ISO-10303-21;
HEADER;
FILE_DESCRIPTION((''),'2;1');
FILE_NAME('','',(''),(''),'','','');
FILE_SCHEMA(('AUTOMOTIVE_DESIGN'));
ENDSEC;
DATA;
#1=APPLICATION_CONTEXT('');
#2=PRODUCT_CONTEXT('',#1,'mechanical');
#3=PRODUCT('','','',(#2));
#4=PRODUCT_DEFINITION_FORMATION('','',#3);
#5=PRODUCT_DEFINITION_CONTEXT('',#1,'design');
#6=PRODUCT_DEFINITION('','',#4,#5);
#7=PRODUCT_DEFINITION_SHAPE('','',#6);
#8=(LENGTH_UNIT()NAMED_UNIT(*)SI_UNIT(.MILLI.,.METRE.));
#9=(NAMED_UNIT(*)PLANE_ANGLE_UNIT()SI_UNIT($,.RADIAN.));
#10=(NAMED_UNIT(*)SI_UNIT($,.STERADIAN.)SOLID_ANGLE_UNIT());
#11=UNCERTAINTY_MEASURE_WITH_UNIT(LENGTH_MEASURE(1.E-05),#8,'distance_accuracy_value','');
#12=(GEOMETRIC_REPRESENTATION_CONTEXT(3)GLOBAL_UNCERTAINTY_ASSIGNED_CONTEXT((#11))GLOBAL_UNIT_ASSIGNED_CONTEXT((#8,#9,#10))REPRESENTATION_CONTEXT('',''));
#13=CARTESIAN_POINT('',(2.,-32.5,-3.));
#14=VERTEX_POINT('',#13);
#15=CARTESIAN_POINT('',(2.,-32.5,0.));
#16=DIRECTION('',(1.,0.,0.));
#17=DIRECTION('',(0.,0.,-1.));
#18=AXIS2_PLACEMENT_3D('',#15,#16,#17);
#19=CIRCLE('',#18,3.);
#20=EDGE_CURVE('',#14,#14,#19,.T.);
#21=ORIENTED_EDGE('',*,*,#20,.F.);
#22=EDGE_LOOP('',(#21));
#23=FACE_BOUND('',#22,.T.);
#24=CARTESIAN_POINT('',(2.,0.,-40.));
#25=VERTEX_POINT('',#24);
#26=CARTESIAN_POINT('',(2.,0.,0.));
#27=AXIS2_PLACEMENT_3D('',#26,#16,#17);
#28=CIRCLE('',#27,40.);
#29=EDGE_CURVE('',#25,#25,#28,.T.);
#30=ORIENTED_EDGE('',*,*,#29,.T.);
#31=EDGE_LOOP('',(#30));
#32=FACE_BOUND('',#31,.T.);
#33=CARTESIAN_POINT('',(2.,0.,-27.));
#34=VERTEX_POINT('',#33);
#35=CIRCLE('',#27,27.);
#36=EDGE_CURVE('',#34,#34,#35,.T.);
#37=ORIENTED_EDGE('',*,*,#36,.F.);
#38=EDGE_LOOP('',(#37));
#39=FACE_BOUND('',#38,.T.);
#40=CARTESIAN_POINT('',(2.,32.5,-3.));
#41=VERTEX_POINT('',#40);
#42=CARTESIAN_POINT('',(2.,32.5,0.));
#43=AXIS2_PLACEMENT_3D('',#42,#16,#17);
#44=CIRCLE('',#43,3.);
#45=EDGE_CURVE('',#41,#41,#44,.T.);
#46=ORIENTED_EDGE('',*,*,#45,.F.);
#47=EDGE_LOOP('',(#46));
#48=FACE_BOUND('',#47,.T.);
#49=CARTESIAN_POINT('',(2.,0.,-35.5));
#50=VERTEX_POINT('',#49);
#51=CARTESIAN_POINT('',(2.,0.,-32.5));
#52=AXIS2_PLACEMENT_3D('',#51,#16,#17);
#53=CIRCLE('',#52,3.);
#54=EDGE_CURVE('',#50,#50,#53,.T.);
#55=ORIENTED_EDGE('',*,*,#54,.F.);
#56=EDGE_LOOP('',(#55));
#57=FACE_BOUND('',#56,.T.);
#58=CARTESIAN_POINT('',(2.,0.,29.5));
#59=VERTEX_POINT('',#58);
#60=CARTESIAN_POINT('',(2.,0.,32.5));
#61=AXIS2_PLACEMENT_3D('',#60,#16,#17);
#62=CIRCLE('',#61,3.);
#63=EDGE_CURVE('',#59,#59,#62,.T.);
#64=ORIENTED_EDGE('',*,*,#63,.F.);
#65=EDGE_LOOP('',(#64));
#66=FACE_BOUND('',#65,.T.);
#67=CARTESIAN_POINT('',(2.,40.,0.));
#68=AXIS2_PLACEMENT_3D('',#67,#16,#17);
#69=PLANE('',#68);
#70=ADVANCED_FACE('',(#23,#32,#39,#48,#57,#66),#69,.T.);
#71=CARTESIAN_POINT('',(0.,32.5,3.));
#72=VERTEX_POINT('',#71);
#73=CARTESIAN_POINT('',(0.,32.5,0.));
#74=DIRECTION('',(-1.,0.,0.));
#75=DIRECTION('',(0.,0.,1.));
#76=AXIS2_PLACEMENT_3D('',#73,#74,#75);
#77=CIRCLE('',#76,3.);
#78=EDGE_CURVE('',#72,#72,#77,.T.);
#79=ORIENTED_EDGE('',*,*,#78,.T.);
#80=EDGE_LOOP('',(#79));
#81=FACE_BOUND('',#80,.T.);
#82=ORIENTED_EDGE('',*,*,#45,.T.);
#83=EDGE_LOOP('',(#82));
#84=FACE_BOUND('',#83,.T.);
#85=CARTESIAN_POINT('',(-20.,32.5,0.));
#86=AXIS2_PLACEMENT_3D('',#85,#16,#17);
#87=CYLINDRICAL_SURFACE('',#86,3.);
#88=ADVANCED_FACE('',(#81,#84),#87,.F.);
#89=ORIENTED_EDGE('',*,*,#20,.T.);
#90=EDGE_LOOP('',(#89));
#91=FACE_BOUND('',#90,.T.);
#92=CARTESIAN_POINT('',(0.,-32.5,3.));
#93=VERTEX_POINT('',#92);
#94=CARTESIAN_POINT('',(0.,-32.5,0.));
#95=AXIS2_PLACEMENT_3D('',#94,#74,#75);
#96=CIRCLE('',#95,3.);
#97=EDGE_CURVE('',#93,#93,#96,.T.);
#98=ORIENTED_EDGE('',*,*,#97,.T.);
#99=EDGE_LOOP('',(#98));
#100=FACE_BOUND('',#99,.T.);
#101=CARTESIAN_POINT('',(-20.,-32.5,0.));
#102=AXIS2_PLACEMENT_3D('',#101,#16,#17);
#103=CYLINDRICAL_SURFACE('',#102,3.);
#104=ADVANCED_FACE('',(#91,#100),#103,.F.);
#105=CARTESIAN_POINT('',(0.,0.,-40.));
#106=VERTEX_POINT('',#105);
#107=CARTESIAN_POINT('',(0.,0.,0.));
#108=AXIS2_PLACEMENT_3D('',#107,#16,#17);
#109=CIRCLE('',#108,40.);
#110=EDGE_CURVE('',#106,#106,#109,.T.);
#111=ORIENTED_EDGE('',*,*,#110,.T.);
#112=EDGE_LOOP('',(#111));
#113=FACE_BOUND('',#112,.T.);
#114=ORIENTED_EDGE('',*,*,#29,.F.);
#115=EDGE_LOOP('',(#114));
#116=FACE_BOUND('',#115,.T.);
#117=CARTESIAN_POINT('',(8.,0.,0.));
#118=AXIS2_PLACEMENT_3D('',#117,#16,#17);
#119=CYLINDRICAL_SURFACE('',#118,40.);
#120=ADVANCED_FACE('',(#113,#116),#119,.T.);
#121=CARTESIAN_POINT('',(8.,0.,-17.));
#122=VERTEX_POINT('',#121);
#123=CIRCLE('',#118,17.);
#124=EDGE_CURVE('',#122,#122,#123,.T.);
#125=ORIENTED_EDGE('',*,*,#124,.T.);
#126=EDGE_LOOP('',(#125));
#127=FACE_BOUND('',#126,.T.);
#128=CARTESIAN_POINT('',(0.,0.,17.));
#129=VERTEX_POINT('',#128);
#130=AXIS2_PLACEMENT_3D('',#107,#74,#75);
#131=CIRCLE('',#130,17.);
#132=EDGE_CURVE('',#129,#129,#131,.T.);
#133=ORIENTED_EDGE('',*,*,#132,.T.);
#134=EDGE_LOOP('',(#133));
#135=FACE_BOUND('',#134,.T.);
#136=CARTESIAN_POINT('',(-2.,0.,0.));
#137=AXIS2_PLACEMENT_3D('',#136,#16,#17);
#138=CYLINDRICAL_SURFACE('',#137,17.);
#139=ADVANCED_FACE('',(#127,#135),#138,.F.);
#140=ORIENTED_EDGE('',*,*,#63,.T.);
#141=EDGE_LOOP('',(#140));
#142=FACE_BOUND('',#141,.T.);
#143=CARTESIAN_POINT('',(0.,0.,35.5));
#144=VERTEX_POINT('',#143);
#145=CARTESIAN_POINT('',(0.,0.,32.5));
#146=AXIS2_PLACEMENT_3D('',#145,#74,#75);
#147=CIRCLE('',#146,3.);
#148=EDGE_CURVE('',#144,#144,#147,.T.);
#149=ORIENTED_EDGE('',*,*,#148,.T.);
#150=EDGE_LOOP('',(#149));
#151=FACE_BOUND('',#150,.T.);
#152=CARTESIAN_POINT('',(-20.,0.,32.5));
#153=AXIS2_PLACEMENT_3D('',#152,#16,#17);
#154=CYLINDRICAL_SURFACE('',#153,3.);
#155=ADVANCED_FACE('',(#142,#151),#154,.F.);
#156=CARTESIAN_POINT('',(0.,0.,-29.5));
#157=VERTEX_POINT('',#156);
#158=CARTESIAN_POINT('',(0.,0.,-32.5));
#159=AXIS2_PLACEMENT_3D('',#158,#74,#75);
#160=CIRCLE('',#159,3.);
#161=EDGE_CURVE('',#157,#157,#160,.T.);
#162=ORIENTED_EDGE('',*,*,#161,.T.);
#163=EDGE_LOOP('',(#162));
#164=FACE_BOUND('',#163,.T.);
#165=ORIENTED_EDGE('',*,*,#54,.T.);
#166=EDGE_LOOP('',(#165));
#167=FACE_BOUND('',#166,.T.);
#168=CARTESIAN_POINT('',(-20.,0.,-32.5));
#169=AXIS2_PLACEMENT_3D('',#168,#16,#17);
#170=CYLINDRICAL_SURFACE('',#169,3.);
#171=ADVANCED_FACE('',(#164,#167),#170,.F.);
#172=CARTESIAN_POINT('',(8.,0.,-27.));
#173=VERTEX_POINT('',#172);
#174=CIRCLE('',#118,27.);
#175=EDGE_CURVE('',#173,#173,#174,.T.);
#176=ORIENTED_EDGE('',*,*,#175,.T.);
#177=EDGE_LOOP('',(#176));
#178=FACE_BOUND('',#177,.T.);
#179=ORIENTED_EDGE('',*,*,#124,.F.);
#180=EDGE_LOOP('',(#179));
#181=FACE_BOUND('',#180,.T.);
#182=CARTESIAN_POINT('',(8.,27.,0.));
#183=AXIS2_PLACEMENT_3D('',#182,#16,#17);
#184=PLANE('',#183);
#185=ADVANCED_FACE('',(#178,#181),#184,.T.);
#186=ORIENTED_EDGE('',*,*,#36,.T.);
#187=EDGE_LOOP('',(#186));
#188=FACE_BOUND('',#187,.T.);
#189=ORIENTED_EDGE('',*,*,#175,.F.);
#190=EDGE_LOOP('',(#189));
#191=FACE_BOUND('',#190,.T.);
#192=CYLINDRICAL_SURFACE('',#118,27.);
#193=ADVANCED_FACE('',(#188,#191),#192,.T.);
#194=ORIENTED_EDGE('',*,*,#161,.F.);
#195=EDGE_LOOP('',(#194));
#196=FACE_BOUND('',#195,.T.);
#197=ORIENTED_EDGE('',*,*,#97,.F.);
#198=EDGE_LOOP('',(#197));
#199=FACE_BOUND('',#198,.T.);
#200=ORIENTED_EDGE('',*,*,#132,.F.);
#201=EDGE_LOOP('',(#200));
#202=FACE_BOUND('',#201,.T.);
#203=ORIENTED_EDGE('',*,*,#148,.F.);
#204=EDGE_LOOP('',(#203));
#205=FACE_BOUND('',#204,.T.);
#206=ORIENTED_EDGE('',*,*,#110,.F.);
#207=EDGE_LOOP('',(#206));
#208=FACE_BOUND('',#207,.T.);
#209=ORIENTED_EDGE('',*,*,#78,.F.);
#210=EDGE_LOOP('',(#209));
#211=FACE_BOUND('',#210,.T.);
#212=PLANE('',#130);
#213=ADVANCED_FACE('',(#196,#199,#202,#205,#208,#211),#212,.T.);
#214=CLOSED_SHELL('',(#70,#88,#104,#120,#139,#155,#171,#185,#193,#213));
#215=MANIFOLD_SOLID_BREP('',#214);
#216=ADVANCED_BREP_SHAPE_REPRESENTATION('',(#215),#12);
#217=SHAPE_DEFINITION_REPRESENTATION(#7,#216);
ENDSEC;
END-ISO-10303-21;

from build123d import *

# Parameters (mm, degrees)
SKETCH3_R          = 17
CUT_EXTRUDE1_DEPTH = 10
SKETCH4_R          = 3
CUT_EXTRUDE2_DEPTH = 28


with BuildPart() as part:
    # Sketch2 → Revolve1 (revolve)
    with BuildSketch(Plane.XY, mode=Mode.PRIVATE) as revolve1_sk:
        Polygon((0, 0), (0, 40), (2, 40), (2, 27), (8, 27), (8, 0), align=None)
    revolve(revolve1_sk.sketch.rotate(Axis((8, 0, 0), (-1, 0, 0)), 90), axis=Axis((8, 0, 0), (-1, 0, 0)))

    # Sketch3 → Cut-Extrude1 (cut)
    with BuildSketch(Plane(origin=(8, 0, 0), x_dir=(0, 0, -1), z_dir=(1, 0, 0))):
        Circle(SKETCH3_R)
    extrude(amount=-CUT_EXTRUDE1_DEPTH, mode=Mode.SUBTRACT)

    # Sketch4 → Cut-Extrude2 (cut)
    with BuildSketch(Plane(origin=(8, 0, 0), x_dir=(0, 0, -1), z_dir=(1, 0, 0))):
        with Locations((0, -32.5)):
            Circle(SKETCH4_R)
        with Locations((32.5, 0)):
            Circle(SKETCH4_R)
        with Locations((0, 32.5)):
            Circle(SKETCH4_R)
        with Locations((-32.5, 0)):
            Circle(SKETCH4_R)
    extrude(amount=-CUT_EXTRUDE2_DEPTH, mode=Mode.SUBTRACT)


solid = part.part
